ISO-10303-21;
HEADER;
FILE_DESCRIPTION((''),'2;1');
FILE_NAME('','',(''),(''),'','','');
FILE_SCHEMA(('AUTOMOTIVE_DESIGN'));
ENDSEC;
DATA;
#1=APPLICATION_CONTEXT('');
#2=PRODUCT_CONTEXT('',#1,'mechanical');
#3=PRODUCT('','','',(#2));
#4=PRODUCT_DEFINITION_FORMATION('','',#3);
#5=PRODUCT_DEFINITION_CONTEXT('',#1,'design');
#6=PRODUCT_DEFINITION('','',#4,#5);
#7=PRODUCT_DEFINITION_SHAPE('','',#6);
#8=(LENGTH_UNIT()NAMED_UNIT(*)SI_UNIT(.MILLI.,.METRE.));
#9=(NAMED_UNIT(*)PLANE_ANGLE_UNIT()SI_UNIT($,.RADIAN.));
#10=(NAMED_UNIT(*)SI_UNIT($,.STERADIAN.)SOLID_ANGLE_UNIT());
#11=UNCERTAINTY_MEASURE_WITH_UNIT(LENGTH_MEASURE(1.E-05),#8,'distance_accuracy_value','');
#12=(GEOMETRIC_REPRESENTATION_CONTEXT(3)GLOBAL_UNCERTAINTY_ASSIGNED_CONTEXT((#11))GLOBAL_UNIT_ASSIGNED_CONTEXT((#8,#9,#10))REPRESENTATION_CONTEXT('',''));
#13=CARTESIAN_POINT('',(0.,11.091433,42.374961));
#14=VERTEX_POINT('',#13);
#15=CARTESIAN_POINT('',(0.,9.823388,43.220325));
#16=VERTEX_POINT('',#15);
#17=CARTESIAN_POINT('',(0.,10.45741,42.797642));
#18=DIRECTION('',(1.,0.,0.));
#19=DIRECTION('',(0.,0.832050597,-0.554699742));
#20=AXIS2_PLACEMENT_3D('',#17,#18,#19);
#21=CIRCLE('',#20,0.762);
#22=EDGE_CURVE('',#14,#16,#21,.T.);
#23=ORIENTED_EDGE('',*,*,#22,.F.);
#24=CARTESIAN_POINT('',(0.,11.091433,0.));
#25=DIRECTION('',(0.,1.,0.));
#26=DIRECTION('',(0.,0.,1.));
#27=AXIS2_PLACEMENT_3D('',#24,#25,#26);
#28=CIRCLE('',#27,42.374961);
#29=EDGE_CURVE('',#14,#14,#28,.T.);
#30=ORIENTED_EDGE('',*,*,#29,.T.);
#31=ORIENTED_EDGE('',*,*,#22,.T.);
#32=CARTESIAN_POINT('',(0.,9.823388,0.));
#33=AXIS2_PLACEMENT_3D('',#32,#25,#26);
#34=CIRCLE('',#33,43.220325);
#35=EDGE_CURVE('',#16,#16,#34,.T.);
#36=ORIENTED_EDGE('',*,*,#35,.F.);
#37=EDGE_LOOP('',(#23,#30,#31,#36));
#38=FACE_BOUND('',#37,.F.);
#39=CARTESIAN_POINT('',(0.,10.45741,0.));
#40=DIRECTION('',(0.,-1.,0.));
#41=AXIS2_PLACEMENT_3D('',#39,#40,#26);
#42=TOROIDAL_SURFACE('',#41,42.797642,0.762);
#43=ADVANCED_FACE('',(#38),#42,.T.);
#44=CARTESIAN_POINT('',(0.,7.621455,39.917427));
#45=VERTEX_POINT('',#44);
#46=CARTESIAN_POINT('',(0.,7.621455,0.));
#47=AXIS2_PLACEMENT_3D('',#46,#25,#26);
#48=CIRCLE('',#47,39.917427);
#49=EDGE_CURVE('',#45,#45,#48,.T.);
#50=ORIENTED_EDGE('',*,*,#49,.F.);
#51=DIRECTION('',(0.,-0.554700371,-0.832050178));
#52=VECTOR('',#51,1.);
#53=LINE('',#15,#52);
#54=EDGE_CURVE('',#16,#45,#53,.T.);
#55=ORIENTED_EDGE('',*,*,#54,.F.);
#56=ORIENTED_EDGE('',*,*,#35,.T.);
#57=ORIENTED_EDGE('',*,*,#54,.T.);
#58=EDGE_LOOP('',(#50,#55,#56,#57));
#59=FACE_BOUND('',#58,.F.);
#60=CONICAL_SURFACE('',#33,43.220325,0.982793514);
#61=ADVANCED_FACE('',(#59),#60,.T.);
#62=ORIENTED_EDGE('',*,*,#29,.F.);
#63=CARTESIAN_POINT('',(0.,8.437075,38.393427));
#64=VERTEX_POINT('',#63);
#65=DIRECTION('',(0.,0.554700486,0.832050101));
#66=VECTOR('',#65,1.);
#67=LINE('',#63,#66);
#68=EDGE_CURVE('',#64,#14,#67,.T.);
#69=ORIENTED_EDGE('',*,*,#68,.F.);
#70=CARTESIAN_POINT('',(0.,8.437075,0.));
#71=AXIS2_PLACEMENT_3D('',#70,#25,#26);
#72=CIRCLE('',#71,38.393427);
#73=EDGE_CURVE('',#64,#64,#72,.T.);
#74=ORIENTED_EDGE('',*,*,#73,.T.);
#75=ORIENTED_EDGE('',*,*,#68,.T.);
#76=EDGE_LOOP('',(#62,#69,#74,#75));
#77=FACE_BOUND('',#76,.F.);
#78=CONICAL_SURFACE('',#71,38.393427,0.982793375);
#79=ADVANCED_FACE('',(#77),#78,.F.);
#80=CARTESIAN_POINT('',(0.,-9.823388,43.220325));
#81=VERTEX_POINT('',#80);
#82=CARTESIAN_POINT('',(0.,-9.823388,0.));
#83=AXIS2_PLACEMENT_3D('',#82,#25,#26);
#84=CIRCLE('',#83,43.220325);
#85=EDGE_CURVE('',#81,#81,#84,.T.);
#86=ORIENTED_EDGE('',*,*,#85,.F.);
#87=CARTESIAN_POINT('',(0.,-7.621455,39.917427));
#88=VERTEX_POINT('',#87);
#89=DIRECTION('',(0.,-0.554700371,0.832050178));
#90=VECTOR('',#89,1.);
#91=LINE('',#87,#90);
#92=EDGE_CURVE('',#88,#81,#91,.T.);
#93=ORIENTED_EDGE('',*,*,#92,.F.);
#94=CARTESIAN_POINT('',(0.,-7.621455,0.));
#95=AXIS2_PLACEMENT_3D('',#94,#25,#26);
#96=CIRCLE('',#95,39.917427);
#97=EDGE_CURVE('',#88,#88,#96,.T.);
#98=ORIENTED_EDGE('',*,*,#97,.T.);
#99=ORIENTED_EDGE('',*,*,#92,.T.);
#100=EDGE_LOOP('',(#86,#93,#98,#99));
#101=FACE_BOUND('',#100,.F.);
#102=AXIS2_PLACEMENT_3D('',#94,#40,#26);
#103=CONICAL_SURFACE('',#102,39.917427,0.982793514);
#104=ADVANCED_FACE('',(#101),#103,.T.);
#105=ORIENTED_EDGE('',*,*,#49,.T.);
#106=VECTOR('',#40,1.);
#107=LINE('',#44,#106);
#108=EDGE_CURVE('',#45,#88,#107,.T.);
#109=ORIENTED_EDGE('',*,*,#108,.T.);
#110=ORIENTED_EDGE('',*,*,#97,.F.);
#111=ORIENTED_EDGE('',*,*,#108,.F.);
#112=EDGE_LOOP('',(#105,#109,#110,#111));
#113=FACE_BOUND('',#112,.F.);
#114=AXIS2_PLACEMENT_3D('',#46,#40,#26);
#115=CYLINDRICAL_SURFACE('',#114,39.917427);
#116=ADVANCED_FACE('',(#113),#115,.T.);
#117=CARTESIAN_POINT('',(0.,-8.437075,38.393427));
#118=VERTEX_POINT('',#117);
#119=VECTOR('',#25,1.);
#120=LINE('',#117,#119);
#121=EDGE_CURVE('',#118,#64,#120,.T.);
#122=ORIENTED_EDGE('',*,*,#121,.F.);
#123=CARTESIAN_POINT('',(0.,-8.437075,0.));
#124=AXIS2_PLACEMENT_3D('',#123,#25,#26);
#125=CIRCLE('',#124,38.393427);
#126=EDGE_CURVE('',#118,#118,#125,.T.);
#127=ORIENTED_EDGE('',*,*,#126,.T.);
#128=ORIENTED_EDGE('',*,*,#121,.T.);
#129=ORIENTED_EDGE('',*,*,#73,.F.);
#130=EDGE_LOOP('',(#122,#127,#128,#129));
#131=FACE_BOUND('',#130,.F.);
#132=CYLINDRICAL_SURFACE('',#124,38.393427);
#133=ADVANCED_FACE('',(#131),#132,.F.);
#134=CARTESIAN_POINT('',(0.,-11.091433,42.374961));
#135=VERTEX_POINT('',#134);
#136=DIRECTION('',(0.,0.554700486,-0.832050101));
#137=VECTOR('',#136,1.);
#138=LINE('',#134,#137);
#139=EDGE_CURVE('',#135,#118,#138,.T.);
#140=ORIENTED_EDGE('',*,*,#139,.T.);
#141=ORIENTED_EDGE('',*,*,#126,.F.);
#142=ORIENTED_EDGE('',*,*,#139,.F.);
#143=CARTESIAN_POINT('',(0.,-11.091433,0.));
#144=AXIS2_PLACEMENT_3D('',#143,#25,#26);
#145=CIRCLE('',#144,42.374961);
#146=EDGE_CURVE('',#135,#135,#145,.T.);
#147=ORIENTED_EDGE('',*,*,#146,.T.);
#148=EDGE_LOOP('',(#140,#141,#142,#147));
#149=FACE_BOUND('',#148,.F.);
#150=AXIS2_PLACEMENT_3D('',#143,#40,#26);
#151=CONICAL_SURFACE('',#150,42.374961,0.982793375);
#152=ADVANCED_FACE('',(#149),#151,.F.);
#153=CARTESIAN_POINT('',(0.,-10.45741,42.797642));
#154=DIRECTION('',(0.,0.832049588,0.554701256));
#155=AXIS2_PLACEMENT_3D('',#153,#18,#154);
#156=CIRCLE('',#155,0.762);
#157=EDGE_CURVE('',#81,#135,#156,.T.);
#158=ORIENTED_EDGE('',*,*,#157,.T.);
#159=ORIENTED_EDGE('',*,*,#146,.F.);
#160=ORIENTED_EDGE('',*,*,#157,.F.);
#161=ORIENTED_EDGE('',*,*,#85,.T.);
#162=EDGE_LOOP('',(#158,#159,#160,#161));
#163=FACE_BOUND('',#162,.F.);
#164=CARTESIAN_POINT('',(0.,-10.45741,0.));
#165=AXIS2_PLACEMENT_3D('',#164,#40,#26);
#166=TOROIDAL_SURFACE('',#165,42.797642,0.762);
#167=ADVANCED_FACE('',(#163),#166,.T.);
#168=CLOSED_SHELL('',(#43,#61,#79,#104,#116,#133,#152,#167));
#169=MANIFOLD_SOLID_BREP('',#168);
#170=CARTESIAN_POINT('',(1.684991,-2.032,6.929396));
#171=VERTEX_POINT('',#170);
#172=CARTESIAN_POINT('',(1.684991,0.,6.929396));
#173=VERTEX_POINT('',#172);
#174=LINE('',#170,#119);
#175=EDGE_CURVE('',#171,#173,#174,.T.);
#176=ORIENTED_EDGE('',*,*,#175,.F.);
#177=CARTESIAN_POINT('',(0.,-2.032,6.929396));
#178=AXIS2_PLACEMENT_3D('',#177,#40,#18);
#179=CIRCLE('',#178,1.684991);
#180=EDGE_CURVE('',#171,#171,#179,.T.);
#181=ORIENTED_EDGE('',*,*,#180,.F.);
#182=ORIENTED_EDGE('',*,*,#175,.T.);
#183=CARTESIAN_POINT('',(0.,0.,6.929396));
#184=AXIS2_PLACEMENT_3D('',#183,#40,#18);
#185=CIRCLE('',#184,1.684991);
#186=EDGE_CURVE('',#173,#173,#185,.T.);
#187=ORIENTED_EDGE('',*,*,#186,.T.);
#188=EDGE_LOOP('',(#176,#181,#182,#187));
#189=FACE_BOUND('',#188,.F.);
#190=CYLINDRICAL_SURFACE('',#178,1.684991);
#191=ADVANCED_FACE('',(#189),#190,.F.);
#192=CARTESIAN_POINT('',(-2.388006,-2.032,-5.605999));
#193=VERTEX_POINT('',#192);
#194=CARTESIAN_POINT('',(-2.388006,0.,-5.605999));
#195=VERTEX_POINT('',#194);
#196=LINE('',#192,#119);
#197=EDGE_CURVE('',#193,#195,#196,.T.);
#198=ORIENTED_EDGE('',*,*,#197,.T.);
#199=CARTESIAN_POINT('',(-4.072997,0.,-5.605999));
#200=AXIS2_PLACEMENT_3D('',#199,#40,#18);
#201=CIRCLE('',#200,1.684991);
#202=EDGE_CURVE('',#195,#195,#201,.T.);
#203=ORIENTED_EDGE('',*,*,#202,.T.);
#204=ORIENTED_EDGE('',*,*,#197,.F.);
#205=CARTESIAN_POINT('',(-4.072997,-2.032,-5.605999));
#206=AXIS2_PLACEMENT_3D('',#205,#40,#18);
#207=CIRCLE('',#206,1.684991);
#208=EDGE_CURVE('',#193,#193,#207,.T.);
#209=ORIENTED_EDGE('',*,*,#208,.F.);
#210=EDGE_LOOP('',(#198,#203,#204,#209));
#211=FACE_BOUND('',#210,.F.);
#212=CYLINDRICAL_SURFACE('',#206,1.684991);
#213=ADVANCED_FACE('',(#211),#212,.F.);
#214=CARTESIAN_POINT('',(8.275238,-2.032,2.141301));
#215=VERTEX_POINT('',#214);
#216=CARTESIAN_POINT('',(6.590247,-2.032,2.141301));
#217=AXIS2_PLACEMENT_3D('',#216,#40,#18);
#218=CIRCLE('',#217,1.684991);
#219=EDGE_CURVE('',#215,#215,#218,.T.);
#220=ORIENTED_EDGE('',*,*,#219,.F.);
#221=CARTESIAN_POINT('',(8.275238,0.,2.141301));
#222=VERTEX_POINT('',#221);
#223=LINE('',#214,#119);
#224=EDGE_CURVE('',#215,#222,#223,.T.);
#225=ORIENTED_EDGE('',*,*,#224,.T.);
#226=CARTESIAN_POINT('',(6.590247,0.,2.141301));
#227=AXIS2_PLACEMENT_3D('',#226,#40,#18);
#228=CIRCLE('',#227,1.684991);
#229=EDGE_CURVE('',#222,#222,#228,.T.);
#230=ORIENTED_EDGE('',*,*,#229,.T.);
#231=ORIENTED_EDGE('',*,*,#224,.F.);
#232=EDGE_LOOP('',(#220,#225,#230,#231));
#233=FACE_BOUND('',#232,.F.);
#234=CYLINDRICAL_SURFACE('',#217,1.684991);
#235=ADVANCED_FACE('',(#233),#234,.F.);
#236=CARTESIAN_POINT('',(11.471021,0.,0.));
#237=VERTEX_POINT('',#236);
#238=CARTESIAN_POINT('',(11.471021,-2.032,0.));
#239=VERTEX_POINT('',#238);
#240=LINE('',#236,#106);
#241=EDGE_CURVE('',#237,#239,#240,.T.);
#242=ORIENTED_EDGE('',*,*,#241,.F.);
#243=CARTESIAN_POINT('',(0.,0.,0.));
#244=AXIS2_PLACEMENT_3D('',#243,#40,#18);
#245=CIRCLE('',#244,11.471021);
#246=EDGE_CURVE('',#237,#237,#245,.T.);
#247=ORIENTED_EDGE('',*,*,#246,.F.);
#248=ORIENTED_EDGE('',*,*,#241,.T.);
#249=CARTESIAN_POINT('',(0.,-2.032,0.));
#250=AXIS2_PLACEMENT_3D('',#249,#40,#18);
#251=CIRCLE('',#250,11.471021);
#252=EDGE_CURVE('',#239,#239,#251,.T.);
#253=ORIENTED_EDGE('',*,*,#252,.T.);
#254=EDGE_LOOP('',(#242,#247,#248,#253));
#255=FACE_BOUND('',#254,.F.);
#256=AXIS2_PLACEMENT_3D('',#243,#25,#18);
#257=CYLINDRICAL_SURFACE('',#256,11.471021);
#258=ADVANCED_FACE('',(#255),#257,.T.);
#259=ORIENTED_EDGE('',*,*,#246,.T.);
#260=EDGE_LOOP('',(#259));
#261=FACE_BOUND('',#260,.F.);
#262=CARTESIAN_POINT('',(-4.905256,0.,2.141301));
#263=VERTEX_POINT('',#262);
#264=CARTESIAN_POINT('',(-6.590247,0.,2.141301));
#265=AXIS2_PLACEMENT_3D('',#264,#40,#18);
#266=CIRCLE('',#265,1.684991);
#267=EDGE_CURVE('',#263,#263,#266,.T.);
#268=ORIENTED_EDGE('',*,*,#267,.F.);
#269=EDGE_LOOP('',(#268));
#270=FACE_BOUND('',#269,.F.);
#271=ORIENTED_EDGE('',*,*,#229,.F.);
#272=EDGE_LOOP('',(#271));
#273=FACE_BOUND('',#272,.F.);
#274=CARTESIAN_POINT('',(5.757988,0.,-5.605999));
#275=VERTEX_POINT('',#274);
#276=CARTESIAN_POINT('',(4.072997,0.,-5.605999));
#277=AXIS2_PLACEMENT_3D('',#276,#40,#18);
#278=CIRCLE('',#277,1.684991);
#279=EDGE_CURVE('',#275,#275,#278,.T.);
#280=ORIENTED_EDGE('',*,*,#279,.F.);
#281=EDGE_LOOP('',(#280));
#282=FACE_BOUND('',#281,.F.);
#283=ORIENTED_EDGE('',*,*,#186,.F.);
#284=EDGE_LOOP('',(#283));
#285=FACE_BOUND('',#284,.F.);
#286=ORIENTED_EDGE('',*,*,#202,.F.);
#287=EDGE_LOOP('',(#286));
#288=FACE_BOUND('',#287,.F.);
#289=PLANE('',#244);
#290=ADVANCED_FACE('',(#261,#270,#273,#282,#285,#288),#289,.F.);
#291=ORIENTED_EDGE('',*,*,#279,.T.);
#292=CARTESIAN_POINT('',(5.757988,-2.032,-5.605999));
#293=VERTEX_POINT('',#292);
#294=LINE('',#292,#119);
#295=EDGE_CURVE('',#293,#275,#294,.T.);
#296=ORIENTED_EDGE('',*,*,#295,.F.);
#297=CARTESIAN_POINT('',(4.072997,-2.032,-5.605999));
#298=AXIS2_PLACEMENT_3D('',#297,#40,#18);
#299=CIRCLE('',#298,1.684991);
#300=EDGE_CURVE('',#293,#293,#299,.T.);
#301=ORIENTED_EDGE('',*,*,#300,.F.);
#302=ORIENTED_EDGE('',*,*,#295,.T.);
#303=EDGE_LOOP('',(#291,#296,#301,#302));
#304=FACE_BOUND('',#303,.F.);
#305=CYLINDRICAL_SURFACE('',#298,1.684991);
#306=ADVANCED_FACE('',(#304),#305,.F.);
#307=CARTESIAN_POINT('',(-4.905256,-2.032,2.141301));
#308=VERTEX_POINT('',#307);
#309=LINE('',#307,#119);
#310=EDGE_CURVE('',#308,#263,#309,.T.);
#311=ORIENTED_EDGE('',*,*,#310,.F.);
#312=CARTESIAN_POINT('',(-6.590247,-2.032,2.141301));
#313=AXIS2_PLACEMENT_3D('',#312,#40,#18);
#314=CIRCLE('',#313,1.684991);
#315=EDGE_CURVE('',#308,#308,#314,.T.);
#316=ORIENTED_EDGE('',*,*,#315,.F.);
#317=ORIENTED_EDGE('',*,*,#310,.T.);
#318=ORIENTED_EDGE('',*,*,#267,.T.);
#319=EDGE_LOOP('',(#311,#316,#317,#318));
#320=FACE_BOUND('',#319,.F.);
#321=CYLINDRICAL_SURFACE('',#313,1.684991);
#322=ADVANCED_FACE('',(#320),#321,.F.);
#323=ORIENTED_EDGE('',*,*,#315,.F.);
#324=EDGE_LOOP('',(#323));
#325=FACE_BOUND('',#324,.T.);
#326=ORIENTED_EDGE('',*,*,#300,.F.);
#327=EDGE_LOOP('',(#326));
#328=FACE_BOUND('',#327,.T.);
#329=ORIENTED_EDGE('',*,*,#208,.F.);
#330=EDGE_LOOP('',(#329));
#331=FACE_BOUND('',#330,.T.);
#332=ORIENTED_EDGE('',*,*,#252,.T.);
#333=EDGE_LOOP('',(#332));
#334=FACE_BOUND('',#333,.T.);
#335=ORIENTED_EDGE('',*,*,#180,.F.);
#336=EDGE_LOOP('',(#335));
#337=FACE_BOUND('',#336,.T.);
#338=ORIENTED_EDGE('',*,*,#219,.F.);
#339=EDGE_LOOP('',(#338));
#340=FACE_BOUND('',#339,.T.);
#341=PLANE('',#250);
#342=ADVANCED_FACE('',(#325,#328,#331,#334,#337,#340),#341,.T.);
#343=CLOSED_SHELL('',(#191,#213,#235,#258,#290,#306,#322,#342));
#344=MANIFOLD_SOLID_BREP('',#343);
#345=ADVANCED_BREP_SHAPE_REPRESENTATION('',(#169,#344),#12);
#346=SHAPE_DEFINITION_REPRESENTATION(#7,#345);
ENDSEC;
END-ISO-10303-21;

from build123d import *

# Parameters (mm, degrees)
F3_R     = 11.471021
F4_DEPTH = 2.032
F5_R     = 1.684991
F6_DEPTH = 13.25241


with BuildPart() as f2:
    # F0 (on Right) → F2 (revolve)
    with BuildSketch(Plane.YZ):
        with BuildLine():
            Line((0, 38.393427), (8.437075, 38.393427))
            Line((8.437075, 38.393427), (11.091433, 42.374961))
            ThreePointArc((11.091433, 42.374961), (10.880092, 43.431665), (9.823388, 43.220325))
            Line((9.823388, 43.220325), (7.621455, 39.917427))
            Line((7.621455, 39.917427), (0, 39.917427))
            Line((0, 39.917427), (-7.621455, 39.917427))
            Line((-7.621455, 39.917427), (-9.823388, 43.220325))
            ThreePointArc((-9.823388, 43.220325), (-10.880092, 43.431665), (-11.091433, 42.374961))
            Line((-11.091433, 42.374961), (-8.437075, 38.393427))
            Line((-8.437075, 38.393427), (0, 38.393427))
        make_face()
    revolve(axis=Axis((0, -0.379195, 0), (0, 1, 0)))


with BuildPart() as f4:
    # F3 (on Front) → F4 (new body)
    with BuildSketch(Plane.XZ):
        Circle(F3_R)
    extrude(amount=F4_DEPTH)

    # F5 (on face) → F6 (cut, through all)
    with BuildSketch(Plane.XZ.offset(2.032)):
        with Locations((0, 6.929396)):
            Circle(F5_R)
        with Locations((6.590247, 2.141301)):
            Circle(F5_R)
        with Locations((4.072997, -5.605999)):
            Circle(F5_R)
        with Locations((-4.072997, -5.605999)):
            Circle(F5_R)
        with Locations((-6.590247, 2.141301)):
            Circle(F5_R)
    extrude(amount=-F6_DEPTH, mode=Mode.SUBTRACT)


solid = Compound([f2.part, f4.part])
